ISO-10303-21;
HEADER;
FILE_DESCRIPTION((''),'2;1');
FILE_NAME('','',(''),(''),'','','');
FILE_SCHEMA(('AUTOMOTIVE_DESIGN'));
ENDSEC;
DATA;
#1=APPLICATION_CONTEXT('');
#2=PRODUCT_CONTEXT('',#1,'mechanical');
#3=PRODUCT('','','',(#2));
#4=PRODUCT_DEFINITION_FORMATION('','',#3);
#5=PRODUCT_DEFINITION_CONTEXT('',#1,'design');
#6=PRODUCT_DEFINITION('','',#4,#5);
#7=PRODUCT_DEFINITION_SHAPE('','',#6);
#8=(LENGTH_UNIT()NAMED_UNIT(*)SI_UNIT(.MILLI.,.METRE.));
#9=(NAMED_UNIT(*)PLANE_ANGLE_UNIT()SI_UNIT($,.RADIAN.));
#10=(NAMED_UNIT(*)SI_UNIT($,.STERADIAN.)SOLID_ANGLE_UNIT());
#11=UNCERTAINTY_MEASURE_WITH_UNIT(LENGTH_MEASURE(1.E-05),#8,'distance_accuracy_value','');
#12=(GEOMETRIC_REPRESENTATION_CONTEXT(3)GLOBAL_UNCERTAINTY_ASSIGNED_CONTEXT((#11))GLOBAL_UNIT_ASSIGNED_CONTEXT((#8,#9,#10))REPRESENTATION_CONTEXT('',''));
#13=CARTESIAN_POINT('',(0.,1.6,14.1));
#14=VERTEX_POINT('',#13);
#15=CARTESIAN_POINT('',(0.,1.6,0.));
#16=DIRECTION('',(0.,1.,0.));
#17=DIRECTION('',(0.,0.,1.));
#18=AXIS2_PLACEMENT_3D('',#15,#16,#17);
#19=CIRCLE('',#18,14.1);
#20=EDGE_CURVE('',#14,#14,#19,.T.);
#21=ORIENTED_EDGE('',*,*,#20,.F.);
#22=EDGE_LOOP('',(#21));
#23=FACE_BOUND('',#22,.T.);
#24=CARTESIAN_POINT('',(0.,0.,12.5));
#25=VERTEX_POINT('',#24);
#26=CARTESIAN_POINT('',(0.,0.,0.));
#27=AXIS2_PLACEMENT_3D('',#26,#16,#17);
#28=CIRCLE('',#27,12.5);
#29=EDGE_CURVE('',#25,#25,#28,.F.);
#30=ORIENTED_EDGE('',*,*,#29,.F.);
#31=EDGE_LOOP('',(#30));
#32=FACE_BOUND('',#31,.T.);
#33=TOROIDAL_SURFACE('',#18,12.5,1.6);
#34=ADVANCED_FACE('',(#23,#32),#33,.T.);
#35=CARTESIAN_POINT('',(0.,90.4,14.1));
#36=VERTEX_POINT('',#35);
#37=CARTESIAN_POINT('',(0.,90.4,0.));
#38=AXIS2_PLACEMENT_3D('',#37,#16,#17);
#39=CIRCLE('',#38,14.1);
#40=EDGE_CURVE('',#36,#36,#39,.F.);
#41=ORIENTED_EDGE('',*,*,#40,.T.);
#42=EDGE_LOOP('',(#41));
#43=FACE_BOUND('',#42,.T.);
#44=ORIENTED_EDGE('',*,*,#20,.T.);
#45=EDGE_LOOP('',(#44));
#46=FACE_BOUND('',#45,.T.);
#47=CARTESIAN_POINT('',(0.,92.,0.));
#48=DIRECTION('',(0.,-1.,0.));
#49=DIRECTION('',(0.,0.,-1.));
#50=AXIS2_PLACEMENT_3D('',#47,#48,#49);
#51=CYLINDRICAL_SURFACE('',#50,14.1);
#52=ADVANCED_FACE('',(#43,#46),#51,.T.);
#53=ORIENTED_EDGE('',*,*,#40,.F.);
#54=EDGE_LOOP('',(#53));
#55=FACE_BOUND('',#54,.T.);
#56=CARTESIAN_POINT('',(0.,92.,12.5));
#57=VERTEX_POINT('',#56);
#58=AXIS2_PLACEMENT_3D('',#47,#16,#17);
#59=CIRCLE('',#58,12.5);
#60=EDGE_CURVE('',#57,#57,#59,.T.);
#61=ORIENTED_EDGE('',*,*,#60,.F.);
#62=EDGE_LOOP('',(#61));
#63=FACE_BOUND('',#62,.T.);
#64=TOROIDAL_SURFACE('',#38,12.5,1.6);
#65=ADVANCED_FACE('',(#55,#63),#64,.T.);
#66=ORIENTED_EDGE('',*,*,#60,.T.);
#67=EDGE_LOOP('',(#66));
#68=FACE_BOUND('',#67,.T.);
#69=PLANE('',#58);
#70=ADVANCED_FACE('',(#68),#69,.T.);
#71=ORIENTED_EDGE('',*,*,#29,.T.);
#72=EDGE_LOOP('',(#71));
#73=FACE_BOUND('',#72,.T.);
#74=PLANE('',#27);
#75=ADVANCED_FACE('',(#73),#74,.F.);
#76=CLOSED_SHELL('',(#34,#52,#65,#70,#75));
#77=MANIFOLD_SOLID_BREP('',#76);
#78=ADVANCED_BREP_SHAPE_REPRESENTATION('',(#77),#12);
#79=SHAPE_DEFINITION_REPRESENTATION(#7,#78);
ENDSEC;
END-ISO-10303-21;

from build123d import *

# Parameters (mm, degrees)
SKETCH1_R           = 14.1
BOSS_EXTRUDE1_DEPTH = 92
FILLET1_R           = 1.6


with BuildPart() as part:
    # Sketch1 → Boss-Extrude1 (new body)
    with BuildSketch(Plane(origin=(0, 0, 0), x_dir=(1, 0, 0), z_dir=(0, 1, 0))):
        with Locations(Location((0, 0, 0), (0, 0, 270))):
            Circle(SKETCH1_R)
    extrude(amount=BOSS_EXTRUDE1_DEPTH)

    # Fillet1
    fillet1_edges = [part.edges().sort_by_distance(p)[0] for p in [
        (0, 0, -14.1),
        (0, 92, -14.1),
    ]]
    fillet(fillet1_edges, radius=FILLET1_R)


solid = part.part
